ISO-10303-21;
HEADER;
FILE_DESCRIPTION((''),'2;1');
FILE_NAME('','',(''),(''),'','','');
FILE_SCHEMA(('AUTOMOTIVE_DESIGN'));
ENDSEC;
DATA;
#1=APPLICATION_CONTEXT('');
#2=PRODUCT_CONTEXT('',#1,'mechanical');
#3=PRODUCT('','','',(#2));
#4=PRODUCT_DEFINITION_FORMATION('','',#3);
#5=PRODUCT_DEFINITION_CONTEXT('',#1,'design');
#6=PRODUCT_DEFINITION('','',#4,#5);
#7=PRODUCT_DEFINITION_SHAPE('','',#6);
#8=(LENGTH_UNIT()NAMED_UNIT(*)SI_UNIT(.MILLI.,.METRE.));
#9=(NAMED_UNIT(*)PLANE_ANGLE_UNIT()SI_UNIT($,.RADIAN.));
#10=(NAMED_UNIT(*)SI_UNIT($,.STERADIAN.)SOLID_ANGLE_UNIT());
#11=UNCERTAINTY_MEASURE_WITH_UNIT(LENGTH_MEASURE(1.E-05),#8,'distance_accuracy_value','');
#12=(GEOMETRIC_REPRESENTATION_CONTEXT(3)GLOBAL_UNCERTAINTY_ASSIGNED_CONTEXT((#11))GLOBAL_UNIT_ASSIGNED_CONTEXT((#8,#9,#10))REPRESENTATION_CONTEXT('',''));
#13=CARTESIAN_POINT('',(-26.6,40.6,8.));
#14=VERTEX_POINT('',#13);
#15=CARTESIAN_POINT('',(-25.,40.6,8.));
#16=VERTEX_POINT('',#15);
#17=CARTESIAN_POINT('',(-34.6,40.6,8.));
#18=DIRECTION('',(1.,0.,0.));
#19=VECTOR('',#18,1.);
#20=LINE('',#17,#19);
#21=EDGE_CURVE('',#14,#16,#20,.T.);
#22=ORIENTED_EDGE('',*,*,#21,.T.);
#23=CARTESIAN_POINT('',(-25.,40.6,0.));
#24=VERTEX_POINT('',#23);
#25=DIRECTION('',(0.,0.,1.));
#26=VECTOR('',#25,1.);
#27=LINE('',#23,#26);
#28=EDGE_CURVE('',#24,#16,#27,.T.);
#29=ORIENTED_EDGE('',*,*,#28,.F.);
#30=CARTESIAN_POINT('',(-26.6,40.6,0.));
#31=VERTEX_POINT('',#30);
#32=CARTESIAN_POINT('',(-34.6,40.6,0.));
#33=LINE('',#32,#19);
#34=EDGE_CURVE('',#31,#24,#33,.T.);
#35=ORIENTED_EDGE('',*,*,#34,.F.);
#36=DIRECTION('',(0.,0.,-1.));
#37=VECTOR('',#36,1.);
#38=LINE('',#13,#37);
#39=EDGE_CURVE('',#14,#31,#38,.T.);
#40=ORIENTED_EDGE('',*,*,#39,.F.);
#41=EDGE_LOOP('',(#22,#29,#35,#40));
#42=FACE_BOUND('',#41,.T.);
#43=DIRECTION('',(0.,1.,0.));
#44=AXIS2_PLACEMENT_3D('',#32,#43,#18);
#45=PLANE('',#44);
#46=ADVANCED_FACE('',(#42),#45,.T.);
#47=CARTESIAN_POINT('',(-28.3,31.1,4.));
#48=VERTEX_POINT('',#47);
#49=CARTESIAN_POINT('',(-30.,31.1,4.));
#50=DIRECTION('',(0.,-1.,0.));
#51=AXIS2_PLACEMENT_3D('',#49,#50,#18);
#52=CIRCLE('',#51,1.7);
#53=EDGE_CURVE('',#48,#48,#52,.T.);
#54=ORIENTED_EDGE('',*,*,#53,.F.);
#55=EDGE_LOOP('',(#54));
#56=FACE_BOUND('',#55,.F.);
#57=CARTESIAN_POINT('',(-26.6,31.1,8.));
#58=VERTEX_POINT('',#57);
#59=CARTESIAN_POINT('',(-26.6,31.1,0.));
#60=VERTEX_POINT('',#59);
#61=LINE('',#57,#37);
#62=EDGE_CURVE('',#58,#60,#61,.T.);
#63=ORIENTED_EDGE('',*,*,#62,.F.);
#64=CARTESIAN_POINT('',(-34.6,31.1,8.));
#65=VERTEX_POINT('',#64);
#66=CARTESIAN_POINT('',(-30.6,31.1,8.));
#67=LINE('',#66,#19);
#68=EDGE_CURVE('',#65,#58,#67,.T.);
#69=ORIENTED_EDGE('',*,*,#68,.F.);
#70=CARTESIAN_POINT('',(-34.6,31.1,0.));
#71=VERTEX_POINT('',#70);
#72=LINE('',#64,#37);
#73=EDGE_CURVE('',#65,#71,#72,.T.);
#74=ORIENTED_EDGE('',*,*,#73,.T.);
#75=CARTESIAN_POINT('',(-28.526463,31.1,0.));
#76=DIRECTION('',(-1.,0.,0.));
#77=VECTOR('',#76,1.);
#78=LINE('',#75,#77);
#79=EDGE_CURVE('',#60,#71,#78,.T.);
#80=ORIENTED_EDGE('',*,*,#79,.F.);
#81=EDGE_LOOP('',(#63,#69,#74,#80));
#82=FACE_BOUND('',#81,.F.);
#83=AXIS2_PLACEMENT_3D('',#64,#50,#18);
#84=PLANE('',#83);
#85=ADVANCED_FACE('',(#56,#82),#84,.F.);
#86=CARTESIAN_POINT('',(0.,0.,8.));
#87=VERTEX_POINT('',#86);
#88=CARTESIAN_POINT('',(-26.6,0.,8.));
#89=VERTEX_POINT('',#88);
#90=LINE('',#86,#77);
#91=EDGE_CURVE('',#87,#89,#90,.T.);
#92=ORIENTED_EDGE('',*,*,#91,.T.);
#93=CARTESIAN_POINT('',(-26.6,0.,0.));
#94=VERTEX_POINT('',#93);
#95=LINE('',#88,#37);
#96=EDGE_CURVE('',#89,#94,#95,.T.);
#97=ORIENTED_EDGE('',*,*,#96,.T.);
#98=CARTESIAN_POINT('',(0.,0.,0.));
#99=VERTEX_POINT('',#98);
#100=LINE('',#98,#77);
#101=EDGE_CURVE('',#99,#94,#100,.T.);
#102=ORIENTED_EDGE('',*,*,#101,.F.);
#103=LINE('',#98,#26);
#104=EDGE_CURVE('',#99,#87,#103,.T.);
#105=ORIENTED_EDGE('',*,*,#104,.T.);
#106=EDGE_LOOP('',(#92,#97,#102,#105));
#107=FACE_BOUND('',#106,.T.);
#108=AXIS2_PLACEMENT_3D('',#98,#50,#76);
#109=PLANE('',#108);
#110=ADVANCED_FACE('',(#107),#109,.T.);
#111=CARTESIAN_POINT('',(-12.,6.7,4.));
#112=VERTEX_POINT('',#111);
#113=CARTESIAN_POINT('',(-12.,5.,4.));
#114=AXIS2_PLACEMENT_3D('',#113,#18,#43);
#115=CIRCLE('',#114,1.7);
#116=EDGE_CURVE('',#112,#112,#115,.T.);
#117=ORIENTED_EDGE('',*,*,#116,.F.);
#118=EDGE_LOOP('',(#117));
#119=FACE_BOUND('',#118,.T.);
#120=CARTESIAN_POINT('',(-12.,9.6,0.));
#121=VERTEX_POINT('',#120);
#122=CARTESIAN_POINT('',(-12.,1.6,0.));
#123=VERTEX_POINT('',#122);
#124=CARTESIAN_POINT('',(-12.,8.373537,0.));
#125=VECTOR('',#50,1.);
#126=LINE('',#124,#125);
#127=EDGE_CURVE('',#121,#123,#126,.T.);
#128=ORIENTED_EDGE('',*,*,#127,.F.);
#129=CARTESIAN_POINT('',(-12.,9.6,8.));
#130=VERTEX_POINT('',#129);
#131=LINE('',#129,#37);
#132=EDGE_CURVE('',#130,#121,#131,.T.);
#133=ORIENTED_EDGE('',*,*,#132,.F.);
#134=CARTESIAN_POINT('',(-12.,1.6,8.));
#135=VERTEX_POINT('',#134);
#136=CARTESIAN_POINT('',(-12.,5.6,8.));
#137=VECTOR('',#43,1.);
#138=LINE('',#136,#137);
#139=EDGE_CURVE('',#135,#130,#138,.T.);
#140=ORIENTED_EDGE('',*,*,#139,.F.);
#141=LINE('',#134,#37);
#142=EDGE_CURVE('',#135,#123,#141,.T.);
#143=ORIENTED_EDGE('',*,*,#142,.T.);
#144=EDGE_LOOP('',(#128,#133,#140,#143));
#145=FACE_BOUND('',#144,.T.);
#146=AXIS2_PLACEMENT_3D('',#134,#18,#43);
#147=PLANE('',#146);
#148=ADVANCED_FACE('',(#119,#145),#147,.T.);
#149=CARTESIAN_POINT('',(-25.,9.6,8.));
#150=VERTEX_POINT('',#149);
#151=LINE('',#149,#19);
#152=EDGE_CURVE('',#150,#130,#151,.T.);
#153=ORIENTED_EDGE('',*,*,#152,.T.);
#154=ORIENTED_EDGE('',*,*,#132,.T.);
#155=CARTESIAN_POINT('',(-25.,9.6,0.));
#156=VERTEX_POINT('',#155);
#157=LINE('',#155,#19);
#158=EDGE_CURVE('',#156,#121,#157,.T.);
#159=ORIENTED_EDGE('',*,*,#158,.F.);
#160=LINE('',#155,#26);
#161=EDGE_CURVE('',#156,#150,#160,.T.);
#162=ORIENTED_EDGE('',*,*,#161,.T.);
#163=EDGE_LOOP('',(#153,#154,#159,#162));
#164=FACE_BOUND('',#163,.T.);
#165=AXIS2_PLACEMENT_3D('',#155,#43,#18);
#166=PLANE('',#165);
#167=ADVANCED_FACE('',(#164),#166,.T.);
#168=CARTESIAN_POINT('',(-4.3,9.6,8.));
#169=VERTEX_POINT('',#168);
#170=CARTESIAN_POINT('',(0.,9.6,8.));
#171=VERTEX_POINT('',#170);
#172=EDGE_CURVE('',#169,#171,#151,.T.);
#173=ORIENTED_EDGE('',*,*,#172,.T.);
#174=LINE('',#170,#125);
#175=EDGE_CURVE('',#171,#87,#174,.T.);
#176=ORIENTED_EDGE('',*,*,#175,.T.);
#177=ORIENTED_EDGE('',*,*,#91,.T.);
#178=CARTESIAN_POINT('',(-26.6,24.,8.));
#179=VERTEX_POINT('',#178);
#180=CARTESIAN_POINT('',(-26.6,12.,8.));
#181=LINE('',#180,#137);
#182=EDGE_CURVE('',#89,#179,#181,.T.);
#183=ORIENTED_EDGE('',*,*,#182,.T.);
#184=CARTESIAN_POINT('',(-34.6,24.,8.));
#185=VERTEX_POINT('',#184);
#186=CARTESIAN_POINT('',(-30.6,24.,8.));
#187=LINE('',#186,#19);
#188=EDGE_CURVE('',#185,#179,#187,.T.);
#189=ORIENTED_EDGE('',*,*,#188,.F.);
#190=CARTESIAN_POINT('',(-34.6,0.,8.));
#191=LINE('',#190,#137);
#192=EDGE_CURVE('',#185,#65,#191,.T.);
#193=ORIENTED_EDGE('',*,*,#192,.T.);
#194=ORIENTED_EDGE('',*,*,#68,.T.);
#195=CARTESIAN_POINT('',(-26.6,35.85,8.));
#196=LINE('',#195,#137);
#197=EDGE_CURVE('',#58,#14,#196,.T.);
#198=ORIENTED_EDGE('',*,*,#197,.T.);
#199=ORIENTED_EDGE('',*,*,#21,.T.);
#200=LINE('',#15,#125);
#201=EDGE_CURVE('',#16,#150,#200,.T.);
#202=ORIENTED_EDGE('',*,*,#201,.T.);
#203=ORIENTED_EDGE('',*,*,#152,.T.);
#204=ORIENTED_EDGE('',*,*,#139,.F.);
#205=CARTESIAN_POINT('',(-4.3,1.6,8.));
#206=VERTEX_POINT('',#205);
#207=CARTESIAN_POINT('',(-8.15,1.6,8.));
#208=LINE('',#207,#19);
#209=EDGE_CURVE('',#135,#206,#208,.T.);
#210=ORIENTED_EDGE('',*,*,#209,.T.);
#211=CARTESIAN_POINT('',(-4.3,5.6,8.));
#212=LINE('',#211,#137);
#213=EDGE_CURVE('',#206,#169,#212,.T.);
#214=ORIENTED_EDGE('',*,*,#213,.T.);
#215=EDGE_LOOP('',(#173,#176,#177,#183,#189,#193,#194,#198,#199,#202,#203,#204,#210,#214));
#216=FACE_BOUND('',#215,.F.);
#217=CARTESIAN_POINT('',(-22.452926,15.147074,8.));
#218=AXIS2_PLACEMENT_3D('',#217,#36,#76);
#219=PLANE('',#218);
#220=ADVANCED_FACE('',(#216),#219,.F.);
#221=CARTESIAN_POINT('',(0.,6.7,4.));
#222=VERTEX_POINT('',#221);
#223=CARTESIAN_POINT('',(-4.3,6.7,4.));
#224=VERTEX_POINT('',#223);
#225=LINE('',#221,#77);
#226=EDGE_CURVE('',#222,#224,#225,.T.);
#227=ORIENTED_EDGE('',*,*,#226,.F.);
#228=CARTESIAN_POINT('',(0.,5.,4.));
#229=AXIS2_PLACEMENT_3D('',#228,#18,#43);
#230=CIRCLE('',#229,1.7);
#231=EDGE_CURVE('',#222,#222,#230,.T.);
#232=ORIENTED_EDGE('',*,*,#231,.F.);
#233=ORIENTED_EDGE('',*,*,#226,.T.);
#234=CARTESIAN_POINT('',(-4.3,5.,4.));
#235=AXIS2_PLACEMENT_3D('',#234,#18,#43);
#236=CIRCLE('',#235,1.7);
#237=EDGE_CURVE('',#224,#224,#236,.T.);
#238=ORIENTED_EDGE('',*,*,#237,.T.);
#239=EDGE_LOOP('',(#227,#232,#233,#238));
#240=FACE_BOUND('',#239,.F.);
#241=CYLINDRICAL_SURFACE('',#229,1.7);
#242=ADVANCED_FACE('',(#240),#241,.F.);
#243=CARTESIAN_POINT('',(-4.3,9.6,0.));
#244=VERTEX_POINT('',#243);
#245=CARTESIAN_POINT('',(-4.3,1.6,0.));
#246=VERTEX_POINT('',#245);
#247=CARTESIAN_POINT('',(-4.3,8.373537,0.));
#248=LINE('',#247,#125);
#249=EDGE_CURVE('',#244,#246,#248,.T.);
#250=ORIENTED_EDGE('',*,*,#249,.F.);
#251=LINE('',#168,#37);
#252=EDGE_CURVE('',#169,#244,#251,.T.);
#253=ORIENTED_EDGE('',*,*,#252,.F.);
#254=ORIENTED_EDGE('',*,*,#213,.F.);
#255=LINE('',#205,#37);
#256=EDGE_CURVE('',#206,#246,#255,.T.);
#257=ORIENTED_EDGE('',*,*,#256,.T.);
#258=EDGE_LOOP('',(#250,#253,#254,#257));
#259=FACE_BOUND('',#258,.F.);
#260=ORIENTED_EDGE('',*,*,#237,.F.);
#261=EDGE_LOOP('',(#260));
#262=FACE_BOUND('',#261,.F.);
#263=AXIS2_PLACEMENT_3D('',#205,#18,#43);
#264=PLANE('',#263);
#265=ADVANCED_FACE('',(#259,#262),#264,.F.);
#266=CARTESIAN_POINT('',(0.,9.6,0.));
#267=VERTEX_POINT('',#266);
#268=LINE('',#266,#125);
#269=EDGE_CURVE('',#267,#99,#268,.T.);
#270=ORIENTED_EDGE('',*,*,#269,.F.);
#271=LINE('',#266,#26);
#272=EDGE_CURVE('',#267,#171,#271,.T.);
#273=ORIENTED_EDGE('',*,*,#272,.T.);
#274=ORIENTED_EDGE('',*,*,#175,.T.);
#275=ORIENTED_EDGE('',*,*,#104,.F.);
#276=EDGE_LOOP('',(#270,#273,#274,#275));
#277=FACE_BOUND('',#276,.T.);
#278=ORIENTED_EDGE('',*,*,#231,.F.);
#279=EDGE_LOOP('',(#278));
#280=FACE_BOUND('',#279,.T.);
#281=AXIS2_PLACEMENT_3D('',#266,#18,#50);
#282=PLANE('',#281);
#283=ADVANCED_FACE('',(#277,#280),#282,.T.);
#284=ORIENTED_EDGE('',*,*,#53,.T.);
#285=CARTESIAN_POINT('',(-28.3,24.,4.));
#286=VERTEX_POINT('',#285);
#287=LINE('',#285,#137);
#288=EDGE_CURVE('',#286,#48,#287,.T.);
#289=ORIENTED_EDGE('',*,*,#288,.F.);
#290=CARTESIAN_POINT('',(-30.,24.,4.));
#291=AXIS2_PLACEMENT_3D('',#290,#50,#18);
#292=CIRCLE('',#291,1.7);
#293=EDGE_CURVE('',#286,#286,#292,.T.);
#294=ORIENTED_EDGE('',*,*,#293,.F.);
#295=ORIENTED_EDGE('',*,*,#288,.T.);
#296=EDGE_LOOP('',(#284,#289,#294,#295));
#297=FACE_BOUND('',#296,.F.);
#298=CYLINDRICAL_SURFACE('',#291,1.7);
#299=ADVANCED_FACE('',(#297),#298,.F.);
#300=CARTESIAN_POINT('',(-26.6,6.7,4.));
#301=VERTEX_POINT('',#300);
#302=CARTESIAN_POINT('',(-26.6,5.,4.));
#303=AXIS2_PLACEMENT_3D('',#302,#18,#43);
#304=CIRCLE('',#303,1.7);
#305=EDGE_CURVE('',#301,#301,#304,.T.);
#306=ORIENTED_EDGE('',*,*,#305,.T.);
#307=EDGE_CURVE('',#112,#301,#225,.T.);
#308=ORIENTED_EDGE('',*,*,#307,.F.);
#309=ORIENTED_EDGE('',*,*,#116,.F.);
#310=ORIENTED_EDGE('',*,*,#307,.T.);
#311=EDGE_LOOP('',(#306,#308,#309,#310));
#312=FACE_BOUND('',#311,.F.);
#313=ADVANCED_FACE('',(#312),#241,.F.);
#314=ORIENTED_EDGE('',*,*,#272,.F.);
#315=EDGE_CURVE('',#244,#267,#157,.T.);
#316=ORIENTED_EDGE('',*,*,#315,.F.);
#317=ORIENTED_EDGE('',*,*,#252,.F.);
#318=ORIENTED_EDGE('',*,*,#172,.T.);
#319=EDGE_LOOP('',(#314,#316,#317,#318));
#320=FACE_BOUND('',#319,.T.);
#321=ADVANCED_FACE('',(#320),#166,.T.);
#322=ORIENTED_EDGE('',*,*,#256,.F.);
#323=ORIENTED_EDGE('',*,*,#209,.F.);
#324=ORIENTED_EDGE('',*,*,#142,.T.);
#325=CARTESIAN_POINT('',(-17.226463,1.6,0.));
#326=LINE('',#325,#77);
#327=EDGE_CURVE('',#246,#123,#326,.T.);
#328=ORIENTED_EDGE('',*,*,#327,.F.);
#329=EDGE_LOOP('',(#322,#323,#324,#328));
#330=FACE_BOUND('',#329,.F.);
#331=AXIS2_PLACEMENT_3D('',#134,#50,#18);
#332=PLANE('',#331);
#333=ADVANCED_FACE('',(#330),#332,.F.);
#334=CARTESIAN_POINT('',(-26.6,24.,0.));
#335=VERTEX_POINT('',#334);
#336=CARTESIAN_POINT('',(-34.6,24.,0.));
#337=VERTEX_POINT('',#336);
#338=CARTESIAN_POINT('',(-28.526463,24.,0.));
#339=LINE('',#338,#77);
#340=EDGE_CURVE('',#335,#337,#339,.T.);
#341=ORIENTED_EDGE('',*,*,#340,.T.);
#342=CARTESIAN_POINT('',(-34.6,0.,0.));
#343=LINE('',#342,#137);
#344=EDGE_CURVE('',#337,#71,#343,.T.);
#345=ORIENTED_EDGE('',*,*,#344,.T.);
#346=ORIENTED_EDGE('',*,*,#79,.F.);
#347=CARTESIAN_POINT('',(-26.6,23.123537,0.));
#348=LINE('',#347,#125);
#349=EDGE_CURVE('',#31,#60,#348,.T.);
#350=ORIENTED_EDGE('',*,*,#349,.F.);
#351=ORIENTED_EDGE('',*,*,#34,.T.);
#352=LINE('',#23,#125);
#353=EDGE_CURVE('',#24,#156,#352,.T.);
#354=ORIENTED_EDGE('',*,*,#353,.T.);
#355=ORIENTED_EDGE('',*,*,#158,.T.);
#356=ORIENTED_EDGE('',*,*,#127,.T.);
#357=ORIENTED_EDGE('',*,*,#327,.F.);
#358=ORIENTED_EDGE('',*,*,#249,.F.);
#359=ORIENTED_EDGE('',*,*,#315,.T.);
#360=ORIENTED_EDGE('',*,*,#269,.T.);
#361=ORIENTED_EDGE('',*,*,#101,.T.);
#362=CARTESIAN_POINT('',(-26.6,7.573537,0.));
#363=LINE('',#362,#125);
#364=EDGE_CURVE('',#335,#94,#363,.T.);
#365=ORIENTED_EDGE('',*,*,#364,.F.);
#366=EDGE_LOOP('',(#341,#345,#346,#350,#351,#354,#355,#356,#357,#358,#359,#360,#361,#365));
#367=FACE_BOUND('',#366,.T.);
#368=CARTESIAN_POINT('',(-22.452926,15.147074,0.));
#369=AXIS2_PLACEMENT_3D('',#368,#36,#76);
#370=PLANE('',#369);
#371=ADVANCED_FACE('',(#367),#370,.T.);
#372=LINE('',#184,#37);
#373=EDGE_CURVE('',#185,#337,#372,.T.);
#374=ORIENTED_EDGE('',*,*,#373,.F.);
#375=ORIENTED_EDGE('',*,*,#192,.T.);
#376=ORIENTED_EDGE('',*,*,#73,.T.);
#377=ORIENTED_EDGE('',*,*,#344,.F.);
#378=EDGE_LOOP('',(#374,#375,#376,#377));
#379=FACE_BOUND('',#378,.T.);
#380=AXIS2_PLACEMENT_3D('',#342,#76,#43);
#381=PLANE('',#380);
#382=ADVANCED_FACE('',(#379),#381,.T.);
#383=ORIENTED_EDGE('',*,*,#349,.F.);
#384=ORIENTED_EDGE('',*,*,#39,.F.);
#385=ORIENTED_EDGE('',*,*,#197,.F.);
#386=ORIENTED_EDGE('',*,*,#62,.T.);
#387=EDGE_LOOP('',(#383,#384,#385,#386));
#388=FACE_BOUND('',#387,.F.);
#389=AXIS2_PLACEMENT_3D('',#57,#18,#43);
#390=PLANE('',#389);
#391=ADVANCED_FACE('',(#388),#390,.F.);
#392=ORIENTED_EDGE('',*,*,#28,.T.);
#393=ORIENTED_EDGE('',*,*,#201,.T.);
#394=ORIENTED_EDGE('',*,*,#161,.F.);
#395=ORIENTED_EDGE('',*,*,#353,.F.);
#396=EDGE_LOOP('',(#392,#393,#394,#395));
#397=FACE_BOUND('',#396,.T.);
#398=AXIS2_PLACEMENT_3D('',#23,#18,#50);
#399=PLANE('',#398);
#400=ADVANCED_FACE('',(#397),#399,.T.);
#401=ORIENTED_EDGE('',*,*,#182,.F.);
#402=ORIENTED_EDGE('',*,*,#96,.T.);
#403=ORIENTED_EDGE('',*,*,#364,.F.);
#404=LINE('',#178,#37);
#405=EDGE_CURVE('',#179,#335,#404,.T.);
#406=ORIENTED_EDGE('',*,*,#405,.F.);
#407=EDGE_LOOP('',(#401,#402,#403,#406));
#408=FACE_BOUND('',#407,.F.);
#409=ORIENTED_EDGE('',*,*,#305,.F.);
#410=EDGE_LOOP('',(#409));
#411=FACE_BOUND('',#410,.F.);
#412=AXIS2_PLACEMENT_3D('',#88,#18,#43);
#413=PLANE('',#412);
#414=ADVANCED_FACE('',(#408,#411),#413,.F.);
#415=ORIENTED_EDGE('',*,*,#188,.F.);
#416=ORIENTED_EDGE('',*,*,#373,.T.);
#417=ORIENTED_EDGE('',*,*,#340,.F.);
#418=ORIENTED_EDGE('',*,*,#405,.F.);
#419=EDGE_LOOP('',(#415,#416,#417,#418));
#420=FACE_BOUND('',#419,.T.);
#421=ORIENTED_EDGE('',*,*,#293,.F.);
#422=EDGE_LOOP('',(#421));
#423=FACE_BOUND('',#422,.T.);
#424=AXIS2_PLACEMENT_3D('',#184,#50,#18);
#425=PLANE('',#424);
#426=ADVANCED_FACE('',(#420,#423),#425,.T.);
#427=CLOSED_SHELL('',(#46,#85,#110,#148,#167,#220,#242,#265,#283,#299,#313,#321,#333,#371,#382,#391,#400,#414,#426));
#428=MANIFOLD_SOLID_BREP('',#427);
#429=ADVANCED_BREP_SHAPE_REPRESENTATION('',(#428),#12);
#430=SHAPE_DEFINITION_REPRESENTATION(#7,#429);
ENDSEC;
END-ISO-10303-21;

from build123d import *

# Parameters (mm, degrees)
PAD_DEPTH       = 8
SKETCH001_W     = 8
SKETCH001_H     = 9.5
SKETCH001_H_2   = 24
SKETCH001_W_2   = 7.7
SKETCH001_H_3   = 8
POCKET_DEPTH    = 9
SKETCH002_R     = 1.7
POCKET001_DEPTH = 9
SKETCH003_R     = 1.7
POCKET002_DEPTH = 35


with BuildPart() as part:
    # Sketch → Pad (new body)
    with BuildSketch(Plane.XY):
        Polygon((0, 0), (-34.6, 0), (-34.6, 40.6), (-25, 40.6), (-25, 9.6), (0, 9.6), align=None)
    extrude(amount=PAD_DEPTH)

    # Sketch001 → Pocket (cut)
    with BuildSketch(Plane.XY.offset(8)):
        with Locations((-30.6, 35.85)):
            Rectangle(SKETCH001_W, SKETCH001_H)
        with Locations((-30.6, 12)):
            Rectangle(SKETCH001_W, SKETCH001_H_2)
        with Locations((-8.15, 5.6)):
            Rectangle(SKETCH001_W_2, SKETCH001_H_3)
    extrude(amount=-POCKET_DEPTH, mode=Mode.SUBTRACT)

    # Sketch002 → Pocket001 (cut)
    with BuildSketch(Plane.XZ.offset(-24)):
        with Locations((-30, 4)):
            Circle(SKETCH002_R)
    extrude(amount=-POCKET001_DEPTH, mode=Mode.SUBTRACT)

    # Sketch003 → Pocket002 (cut)
    with BuildSketch(Plane.YZ):
        with Locations((5, 4)):
            Circle(SKETCH003_R)
    extrude(amount=-POCKET002_DEPTH, mode=Mode.SUBTRACT)


solid = part.part
